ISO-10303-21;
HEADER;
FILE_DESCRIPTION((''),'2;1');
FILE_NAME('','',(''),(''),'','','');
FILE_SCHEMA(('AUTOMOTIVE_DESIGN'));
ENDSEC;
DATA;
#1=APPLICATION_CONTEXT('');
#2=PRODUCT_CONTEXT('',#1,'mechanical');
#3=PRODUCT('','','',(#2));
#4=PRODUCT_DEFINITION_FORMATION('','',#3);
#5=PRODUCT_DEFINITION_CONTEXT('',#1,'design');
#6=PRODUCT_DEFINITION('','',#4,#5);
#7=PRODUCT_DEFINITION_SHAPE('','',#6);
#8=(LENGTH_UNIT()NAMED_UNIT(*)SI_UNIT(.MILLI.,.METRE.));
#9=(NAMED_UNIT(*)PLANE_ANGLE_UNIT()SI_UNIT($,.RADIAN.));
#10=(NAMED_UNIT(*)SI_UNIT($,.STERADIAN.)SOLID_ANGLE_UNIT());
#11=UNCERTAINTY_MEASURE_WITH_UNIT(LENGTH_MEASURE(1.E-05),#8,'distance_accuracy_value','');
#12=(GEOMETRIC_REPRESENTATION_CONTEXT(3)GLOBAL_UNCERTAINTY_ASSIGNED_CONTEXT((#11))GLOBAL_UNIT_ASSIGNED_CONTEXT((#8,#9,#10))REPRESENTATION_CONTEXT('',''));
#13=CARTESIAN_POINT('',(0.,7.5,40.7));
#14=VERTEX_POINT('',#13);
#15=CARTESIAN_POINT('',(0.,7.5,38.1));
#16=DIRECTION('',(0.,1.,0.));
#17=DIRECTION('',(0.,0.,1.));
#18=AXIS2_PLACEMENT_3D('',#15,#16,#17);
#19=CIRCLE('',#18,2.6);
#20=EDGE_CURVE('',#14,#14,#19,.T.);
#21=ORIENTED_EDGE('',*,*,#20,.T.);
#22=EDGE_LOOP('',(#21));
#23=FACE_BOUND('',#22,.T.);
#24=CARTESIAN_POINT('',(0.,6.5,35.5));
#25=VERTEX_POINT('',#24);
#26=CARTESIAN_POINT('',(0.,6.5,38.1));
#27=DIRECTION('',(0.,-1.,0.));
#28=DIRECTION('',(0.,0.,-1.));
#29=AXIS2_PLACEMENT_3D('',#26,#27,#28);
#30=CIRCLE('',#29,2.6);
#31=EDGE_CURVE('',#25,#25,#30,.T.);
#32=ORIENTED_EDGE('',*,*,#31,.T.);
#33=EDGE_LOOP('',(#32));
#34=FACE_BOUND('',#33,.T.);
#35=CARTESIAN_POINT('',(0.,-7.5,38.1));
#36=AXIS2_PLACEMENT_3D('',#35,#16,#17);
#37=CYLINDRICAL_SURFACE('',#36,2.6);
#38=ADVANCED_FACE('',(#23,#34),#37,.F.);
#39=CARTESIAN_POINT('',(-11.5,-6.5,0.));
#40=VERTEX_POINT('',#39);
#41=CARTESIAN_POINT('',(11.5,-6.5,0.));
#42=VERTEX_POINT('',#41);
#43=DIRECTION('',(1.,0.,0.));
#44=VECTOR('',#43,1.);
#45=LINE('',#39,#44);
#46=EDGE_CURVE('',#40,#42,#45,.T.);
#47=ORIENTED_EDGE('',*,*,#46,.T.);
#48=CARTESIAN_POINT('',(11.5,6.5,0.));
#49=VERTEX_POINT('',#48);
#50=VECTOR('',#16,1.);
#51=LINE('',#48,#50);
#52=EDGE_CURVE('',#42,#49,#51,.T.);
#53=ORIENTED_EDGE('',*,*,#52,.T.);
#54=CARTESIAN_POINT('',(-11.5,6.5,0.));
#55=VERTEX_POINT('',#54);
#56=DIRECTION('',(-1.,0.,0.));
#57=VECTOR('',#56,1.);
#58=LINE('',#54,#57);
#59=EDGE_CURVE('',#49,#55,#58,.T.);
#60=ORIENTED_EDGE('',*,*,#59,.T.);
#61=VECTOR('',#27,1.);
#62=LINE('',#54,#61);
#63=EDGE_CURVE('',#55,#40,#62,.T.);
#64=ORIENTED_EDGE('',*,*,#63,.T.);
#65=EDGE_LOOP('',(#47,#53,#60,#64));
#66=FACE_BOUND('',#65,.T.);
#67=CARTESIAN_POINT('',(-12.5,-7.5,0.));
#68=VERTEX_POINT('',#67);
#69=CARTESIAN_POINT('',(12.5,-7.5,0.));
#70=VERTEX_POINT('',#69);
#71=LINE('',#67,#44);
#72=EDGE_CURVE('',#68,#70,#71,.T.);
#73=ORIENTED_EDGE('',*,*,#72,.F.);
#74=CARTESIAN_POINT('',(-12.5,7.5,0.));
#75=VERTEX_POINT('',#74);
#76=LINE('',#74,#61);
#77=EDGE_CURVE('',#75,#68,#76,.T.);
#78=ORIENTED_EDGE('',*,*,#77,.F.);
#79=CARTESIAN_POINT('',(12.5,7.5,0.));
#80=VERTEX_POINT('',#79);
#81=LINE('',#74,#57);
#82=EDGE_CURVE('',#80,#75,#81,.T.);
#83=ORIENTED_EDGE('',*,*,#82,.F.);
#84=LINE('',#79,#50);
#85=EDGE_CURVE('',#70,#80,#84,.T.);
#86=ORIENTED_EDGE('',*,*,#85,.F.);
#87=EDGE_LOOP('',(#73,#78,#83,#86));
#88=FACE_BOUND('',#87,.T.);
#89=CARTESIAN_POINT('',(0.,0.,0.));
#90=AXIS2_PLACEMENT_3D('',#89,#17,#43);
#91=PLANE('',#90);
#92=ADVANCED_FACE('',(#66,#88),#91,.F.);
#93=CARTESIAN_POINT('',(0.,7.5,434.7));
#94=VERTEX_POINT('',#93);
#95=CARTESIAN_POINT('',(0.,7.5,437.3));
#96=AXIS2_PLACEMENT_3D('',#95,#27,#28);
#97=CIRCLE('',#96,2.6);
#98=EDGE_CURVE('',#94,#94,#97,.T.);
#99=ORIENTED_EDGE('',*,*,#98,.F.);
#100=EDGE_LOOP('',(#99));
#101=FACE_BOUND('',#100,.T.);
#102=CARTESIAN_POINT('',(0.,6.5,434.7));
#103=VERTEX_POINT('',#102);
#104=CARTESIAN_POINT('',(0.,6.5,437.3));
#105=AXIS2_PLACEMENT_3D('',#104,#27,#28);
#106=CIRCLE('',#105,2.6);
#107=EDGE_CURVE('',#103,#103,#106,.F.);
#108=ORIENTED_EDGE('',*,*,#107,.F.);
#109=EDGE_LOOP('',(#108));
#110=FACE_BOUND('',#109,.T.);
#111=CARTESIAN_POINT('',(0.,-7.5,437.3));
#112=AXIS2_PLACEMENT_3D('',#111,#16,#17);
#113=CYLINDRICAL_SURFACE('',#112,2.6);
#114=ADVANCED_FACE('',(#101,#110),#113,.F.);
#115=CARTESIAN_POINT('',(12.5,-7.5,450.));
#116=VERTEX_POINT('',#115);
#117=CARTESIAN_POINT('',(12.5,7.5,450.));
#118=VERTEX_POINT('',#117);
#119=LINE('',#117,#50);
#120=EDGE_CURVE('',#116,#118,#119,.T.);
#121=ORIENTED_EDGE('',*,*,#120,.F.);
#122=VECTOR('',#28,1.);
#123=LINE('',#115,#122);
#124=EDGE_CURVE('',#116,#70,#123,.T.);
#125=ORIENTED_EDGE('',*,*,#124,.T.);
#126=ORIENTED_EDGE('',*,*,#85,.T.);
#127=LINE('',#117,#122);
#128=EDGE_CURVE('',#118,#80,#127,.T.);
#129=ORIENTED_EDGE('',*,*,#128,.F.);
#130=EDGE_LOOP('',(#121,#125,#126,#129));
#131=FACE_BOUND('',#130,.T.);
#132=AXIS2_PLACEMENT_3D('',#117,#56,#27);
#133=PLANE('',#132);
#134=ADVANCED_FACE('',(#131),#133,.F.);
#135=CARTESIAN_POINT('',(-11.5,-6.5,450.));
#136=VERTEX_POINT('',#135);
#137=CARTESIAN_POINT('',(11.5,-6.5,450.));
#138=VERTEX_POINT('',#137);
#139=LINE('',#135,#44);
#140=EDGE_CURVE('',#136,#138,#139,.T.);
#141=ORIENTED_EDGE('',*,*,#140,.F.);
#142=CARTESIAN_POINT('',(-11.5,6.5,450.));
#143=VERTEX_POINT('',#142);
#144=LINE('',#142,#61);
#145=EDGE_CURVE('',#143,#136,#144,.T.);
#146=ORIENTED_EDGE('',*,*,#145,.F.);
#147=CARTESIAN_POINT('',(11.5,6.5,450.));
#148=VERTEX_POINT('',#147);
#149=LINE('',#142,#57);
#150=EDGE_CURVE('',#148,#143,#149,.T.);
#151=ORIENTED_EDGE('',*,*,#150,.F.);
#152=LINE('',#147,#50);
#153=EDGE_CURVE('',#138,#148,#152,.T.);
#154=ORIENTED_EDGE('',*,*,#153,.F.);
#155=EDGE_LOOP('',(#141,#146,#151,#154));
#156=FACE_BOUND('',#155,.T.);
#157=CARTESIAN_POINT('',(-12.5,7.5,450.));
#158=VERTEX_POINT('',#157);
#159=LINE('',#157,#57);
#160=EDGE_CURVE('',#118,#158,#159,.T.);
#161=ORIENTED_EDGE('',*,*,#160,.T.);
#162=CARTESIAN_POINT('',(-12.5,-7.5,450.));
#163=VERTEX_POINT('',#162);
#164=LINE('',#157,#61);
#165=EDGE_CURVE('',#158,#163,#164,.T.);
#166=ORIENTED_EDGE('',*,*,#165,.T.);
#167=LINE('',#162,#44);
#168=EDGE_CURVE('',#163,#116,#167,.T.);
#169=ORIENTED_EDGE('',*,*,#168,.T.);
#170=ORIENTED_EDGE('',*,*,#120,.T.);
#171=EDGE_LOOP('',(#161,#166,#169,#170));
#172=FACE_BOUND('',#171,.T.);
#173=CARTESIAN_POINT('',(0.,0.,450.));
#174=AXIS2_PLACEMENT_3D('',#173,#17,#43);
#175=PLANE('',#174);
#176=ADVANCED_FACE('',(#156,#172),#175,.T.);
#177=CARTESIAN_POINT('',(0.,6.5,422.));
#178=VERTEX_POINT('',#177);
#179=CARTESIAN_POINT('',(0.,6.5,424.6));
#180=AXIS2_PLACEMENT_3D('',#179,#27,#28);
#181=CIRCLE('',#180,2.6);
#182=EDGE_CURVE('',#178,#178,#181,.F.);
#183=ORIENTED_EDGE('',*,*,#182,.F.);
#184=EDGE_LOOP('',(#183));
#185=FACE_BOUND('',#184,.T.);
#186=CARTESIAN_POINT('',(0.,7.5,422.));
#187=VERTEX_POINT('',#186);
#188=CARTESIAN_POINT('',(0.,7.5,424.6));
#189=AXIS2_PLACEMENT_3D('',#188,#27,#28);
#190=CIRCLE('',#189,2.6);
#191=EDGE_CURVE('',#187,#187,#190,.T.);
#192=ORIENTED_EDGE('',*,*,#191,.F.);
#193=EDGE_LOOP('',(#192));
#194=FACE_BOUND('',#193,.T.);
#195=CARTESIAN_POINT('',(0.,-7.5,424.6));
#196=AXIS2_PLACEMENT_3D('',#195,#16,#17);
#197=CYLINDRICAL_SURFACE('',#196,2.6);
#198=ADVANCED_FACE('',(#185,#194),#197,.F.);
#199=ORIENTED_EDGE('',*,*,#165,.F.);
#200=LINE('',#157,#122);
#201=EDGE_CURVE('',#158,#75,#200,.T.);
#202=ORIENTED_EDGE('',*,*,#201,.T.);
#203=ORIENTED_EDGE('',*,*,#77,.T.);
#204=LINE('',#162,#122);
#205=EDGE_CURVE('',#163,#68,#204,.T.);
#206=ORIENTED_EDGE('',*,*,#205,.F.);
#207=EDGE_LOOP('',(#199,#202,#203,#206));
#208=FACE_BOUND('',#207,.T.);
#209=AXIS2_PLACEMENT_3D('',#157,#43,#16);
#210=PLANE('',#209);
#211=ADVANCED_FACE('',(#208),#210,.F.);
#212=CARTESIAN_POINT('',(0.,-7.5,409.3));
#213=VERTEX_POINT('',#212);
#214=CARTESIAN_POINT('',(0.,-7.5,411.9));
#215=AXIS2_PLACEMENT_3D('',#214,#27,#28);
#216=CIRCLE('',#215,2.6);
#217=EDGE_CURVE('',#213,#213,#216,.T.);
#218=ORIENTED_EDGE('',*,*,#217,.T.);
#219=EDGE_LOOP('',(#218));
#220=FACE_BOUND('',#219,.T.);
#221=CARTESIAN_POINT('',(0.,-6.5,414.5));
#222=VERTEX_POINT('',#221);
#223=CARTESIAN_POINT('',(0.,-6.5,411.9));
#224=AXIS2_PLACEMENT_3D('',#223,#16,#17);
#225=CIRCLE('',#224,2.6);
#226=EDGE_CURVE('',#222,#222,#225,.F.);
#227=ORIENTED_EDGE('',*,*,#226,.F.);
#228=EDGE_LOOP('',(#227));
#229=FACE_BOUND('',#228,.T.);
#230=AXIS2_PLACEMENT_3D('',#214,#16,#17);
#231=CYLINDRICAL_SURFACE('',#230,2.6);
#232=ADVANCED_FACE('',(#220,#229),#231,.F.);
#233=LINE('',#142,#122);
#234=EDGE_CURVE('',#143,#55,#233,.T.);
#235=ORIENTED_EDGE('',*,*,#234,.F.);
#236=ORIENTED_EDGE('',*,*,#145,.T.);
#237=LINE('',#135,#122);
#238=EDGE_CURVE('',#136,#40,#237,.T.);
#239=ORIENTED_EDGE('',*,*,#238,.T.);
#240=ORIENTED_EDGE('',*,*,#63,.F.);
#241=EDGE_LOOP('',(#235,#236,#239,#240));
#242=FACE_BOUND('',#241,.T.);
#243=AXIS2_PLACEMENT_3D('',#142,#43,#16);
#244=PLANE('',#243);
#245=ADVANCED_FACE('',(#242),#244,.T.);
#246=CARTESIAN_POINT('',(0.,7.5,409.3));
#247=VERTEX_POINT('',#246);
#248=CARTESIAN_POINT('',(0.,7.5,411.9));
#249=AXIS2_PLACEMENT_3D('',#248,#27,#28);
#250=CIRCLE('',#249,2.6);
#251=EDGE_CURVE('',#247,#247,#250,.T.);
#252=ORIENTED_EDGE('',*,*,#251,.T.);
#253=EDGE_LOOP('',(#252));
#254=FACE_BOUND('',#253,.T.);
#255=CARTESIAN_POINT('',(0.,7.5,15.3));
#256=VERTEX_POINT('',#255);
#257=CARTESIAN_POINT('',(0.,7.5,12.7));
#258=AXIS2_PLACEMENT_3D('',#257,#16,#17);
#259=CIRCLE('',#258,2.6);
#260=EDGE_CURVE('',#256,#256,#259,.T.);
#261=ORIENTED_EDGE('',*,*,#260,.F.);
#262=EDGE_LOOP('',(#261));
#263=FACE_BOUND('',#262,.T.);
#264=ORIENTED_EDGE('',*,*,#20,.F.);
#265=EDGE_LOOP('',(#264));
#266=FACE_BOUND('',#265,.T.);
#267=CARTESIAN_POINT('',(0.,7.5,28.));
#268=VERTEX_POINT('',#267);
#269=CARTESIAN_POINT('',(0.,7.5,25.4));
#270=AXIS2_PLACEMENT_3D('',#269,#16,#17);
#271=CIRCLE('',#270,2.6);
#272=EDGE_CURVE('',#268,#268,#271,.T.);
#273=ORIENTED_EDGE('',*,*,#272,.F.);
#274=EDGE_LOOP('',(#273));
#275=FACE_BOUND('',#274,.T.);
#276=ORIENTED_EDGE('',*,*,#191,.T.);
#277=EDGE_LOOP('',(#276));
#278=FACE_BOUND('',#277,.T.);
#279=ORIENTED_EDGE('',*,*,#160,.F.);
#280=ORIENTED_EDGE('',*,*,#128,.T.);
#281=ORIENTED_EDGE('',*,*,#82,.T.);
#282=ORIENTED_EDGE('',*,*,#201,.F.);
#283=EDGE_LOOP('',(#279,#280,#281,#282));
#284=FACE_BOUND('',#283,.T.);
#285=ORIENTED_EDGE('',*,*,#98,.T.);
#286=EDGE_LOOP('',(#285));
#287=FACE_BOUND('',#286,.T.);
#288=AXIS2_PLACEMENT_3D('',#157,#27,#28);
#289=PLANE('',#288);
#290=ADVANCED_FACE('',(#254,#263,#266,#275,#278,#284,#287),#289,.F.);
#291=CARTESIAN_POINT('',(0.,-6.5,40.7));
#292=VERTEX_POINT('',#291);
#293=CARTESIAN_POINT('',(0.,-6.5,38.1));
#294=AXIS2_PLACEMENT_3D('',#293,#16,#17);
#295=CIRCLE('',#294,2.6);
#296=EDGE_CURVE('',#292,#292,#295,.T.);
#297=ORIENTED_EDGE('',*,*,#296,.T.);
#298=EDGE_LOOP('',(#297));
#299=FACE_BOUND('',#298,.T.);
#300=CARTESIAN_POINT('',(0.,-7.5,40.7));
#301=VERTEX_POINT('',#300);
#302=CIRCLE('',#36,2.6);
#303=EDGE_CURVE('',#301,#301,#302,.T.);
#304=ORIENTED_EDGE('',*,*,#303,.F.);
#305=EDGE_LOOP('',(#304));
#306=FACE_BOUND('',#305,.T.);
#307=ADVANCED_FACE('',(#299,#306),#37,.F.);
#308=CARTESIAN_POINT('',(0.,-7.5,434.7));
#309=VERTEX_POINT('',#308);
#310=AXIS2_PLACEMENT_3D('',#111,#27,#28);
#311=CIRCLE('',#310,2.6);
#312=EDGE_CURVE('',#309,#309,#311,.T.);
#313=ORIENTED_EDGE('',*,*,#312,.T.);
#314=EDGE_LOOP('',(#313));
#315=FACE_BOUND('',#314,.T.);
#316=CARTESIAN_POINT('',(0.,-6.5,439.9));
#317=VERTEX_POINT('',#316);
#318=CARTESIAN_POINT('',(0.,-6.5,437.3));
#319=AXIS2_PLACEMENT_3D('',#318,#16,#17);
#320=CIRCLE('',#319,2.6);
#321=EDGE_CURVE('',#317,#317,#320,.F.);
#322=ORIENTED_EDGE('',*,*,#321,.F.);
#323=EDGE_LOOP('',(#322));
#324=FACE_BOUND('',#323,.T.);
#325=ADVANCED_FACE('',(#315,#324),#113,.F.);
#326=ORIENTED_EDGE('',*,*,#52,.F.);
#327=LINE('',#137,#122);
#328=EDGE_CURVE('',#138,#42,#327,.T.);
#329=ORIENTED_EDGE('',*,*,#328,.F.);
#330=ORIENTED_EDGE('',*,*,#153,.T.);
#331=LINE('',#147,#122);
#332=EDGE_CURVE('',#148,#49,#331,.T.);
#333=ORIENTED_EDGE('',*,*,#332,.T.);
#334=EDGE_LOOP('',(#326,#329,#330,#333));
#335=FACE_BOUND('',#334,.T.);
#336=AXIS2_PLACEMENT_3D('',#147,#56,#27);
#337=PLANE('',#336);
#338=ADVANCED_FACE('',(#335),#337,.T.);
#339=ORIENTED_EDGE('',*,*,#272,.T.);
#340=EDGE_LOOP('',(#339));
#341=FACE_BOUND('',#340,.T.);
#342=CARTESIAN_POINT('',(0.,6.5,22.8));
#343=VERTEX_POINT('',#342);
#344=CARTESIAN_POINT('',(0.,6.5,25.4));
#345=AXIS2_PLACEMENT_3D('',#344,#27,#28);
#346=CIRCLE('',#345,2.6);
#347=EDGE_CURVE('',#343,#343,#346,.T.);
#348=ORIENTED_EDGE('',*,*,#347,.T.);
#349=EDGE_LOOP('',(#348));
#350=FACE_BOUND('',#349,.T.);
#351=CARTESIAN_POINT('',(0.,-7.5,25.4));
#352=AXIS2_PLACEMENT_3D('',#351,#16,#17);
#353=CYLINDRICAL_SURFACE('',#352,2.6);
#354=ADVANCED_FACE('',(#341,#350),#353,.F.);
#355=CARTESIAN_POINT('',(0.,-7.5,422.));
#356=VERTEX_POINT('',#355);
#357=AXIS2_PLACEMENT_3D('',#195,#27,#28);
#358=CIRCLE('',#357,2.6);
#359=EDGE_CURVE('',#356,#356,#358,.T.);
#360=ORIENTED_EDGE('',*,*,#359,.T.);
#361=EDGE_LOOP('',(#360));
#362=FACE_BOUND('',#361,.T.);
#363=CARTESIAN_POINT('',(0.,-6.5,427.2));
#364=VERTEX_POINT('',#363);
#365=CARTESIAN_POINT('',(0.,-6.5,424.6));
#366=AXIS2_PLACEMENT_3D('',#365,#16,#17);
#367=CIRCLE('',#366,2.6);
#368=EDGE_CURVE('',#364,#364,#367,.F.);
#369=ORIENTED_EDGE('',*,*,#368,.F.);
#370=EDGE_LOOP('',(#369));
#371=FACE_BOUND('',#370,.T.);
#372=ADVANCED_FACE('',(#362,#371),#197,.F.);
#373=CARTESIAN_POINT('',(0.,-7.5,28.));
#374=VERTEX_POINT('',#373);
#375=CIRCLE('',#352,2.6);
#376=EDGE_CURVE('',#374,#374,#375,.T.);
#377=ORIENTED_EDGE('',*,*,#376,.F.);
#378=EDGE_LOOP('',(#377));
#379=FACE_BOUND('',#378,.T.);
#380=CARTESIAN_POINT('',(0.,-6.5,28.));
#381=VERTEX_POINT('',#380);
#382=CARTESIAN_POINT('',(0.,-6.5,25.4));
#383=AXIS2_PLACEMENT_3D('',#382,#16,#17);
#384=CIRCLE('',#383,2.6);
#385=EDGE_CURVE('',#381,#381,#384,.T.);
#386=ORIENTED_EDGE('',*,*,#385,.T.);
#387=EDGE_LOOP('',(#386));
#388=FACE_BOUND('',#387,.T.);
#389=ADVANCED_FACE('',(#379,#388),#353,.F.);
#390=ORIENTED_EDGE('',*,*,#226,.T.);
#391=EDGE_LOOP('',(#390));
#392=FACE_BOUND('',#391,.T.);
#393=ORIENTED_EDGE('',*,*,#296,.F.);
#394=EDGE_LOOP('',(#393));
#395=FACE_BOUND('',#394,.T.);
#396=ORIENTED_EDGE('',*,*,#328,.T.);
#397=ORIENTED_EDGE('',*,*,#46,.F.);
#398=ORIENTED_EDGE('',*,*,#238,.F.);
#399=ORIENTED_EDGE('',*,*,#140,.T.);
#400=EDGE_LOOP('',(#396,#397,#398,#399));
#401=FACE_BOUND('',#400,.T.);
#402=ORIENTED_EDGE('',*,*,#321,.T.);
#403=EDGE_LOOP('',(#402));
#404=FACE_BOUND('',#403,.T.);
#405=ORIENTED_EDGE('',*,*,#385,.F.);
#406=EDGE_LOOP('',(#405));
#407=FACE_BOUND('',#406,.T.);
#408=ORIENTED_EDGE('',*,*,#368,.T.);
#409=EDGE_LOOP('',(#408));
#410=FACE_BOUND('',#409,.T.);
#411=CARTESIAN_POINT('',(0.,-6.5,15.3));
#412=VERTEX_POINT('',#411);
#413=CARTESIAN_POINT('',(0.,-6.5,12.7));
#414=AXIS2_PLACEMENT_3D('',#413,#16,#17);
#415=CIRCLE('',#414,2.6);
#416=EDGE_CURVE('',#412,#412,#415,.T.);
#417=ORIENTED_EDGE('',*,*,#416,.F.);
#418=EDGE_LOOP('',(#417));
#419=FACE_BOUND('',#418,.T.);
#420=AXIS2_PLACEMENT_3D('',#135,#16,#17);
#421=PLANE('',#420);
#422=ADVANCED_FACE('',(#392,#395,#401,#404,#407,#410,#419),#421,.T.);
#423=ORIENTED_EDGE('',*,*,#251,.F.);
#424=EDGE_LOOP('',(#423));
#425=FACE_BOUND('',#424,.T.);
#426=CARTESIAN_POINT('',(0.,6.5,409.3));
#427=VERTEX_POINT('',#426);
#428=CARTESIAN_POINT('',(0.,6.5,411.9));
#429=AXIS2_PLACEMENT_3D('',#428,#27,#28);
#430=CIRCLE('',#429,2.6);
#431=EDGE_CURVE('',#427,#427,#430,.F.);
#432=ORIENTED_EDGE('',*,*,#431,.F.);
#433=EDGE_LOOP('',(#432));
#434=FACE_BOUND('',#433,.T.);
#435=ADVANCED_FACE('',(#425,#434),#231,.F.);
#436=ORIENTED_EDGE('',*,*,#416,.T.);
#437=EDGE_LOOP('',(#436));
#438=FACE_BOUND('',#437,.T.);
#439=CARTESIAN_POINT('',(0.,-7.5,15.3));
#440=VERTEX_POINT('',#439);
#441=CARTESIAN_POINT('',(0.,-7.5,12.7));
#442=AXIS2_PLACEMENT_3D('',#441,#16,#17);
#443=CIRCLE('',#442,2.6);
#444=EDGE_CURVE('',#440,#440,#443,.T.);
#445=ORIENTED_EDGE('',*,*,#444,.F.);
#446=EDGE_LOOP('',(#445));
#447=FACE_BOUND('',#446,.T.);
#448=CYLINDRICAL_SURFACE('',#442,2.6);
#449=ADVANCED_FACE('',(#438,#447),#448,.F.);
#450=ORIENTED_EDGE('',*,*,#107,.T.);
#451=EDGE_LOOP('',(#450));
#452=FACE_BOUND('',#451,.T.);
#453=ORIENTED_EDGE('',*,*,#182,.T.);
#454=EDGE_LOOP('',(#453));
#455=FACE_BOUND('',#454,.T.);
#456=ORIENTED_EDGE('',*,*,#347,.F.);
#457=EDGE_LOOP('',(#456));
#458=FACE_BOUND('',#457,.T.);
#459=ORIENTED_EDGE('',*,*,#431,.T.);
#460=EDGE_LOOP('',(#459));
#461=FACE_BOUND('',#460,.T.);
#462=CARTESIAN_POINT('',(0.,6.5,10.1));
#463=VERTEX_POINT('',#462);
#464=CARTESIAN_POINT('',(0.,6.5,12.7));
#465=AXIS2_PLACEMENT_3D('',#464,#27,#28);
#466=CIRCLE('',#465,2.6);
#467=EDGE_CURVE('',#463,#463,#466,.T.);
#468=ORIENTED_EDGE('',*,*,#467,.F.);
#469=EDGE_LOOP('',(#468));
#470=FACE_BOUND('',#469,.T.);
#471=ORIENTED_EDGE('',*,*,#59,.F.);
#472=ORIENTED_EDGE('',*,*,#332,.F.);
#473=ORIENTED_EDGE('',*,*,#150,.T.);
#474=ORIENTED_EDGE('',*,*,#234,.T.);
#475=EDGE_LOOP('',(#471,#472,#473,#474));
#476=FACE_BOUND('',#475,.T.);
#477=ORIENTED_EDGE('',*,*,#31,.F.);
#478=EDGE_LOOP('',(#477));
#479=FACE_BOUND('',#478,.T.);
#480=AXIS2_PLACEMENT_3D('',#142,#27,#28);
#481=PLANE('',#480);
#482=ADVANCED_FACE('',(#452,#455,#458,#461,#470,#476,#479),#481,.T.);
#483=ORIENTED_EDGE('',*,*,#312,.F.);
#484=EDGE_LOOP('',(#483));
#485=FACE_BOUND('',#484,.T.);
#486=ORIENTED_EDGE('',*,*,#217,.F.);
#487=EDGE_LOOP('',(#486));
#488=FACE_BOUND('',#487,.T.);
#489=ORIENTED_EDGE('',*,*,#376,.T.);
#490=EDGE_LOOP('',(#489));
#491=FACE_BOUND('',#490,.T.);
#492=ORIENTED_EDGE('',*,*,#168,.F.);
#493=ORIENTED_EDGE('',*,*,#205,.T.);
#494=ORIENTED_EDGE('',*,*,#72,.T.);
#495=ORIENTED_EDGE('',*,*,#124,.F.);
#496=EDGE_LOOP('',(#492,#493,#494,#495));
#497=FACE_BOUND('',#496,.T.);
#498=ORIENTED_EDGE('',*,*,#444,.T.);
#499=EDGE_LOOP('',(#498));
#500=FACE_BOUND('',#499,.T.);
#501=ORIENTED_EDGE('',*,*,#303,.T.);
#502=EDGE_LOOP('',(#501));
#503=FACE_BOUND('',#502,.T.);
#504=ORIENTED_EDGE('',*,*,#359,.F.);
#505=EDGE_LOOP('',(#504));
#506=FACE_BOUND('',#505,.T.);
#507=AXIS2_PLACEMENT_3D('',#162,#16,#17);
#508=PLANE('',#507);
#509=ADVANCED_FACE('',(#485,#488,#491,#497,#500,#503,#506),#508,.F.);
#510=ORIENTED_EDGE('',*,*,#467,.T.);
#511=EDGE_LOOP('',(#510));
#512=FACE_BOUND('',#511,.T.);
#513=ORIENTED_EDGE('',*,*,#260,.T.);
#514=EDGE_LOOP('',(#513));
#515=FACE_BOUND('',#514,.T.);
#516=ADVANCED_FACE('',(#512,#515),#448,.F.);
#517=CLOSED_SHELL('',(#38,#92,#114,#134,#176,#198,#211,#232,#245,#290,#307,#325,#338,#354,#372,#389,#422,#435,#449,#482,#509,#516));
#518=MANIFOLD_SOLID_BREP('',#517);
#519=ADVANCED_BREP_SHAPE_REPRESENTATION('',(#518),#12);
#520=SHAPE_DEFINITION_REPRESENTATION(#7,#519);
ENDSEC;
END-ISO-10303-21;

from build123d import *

# Parameters (mm, degrees)
SKETCH_1_W          = 25
SKETCH_1_H          = 15
SKETCH_1_W_2        = 23
SKETCH_1_H_2        = 13
EXTRUDE_1_DEPTH     = 450
SKETCH_2_R          = 2.6
CUT_EXTRUDE_1_DEPTH = 451.423411914


with BuildPart() as part:
    # ｽｹｯﾁ1 → ﾎﾞｽ - 押し出し1 (new body)
    with BuildSketch(Plane.XY):
        Rectangle(SKETCH_1_W, SKETCH_1_H)
        Rectangle(SKETCH_1_W_2, SKETCH_1_H_2, mode=Mode.SUBTRACT)
    extrude(amount=EXTRUDE_1_DEPTH)

    # ｽｹｯﾁ2 → ｶｯﾄ - 押し出し1 (cut, through all)
    with BuildSketch(Plane(origin=(0, 7.5, 0), x_dir=(1, 0, 0), z_dir=(0, 1, 0))):
        with Locations(Location((0, -12.7, 0), (0, 0, 270))):
            Circle(SKETCH_2_R)
        with Locations(Location((0, -25.4, 0), (0, 0, 270))):
            Circle(SKETCH_2_R)
        with Locations(Location((0, -38.1, 0), (0, 0, 270))):
            Circle(SKETCH_2_R)
    cut_extrude_1 = extrude(amount=-CUT_EXTRUDE_1_DEPTH, mode=Mode.SUBTRACT)

    # ﾐﾗｰ1: ｶｯﾄ - 押し出し1 across plane
    add(cut_extrude_1.mirror(Plane(origin=(0, 0, 225), x_dir=(1, 0, 0), z_dir=(0, 0, -1))), mode=Mode.SUBTRACT)


solid = part.part
